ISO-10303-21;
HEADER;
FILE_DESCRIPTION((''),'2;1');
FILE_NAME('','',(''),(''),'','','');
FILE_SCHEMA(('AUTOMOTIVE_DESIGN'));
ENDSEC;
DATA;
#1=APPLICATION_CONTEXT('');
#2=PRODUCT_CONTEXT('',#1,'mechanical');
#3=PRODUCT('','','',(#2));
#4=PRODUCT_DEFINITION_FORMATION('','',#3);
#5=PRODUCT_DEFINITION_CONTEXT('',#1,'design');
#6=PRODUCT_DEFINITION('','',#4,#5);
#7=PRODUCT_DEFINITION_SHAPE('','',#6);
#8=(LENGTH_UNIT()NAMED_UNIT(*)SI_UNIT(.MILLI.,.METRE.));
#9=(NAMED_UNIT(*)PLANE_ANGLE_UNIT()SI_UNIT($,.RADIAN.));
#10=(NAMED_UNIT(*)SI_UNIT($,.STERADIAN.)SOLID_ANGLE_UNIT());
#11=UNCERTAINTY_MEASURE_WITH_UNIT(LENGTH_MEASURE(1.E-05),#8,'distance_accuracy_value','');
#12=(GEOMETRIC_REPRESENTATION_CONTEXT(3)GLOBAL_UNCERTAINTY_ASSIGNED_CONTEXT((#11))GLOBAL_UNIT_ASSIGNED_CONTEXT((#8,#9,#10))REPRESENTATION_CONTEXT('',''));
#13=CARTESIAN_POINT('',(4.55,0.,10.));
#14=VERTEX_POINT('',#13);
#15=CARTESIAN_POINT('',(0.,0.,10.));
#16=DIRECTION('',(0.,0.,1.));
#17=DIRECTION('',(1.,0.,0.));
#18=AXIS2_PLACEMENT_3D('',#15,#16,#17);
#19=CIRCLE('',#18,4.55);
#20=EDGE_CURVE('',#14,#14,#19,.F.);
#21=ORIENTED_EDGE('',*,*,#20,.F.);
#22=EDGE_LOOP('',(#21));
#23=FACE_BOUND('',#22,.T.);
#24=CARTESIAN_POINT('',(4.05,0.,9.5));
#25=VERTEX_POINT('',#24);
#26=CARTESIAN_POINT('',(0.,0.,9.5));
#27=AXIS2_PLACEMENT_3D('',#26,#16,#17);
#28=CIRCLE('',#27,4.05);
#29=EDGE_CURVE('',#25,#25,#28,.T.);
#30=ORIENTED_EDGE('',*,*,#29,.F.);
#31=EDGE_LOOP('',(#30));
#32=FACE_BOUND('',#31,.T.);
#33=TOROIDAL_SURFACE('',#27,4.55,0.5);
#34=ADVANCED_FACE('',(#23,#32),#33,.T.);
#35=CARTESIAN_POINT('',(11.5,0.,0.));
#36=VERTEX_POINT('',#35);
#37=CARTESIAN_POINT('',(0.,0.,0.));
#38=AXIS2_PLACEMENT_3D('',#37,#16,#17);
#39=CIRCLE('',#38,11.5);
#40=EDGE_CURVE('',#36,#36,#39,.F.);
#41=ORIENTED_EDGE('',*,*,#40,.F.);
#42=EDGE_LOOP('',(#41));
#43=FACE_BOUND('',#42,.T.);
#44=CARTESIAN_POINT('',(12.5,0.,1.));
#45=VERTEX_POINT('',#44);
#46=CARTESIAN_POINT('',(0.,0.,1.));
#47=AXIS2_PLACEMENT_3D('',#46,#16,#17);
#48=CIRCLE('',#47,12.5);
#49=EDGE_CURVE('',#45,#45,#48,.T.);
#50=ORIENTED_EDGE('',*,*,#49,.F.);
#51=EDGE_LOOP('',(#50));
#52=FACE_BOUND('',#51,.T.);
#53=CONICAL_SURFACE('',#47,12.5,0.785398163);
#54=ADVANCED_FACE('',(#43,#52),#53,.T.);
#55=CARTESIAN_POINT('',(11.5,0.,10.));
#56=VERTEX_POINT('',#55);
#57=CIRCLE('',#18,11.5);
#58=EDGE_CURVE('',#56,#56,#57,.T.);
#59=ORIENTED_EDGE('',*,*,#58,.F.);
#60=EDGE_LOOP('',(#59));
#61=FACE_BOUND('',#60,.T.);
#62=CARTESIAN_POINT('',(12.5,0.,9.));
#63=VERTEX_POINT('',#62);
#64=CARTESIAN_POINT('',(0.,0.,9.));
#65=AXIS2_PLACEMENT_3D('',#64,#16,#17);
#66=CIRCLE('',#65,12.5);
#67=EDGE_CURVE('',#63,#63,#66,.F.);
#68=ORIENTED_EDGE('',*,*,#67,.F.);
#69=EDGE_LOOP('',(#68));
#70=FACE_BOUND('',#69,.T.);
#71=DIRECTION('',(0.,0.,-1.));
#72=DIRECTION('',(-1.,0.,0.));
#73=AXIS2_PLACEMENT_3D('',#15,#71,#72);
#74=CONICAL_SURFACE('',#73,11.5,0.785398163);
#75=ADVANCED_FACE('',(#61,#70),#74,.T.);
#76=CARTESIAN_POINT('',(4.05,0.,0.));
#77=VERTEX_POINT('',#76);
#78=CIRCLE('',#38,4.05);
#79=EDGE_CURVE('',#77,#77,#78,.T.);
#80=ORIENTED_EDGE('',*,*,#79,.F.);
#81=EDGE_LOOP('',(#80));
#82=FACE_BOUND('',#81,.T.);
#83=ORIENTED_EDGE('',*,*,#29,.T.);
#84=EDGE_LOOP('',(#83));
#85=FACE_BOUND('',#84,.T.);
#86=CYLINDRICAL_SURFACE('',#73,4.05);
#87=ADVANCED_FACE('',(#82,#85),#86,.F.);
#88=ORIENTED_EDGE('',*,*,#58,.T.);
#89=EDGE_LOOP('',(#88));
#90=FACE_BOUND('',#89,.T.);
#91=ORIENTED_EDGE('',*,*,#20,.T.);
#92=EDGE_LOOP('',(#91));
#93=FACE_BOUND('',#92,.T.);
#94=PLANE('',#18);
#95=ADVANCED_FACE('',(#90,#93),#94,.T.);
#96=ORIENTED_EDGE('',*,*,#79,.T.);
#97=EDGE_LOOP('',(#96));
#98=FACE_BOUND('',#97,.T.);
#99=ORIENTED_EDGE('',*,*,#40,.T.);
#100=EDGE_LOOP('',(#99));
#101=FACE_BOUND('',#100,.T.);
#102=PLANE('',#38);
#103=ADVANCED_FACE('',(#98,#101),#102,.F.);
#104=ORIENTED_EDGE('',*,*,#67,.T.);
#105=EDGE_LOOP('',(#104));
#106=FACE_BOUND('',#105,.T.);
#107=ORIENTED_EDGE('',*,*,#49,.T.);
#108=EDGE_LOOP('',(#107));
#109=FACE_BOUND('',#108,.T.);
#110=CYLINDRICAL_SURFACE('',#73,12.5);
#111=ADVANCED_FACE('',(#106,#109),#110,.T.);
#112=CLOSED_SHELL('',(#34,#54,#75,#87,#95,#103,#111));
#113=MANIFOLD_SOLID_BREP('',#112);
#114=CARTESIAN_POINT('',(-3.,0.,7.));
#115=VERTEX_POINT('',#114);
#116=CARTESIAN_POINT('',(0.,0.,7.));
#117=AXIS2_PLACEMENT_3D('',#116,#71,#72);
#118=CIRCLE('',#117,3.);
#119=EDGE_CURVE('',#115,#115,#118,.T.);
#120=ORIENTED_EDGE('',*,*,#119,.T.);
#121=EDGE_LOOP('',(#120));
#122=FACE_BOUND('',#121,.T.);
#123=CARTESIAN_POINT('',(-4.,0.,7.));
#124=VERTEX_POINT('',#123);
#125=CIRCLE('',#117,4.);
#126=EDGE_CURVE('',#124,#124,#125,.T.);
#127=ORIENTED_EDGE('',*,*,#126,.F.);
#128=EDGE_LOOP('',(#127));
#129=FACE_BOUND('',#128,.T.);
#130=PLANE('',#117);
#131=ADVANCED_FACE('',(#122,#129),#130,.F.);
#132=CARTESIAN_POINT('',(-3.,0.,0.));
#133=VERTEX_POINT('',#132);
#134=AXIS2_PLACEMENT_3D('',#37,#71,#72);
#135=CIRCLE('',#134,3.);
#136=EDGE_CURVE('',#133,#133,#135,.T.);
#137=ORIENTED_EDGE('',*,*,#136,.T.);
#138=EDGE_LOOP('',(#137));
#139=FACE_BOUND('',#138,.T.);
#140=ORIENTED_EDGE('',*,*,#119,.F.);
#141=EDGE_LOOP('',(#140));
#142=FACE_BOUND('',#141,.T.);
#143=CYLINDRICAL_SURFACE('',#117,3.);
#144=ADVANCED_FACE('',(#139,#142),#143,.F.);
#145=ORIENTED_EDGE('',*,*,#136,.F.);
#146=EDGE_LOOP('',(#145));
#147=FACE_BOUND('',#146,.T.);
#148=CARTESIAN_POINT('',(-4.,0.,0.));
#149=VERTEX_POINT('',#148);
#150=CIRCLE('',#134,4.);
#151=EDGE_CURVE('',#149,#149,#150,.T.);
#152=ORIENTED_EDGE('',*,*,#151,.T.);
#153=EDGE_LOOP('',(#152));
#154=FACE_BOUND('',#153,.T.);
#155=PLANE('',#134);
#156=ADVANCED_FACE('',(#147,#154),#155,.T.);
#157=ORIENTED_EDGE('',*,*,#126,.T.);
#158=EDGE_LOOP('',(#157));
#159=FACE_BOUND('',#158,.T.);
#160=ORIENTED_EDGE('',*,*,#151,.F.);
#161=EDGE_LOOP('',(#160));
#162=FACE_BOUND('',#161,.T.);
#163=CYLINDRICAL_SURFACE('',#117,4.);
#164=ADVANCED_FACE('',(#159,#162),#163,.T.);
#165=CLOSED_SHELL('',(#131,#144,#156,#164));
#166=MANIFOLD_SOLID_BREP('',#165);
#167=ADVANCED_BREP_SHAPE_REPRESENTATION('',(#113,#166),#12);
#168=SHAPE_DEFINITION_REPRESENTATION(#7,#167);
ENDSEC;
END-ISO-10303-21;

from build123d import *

# Parameters (mm, degrees)
SKETCH_1_R      = 12.5
SKETCH_1_R_2    = 4.05
EXTRUDE_1_DEPTH = 10
SKETCH_2_R      = 4
SKETCH_2_R_2    = 3
EXTRUDE_2_DEPTH = 7
CHAMFER_1_SIZE  = 1
FILLET_1_R      = 0.5


with BuildPart() as part:
    # 草图1 → 凸台-拉伸1 (new body)
    with BuildSketch(Plane.XY):
        Circle(SKETCH_1_R)
        Circle(SKETCH_1_R_2, mode=Mode.SUBTRACT)
    extrude(amount=EXTRUDE_1_DEPTH)

    # 倒角1
    chamfer_1_edges = [part.edges().sort_by_distance(p)[0] for p in [
        (-12.5, 0, 0),
        (-12.5, 0, 10),
    ]]
    chamfer(chamfer_1_edges, length=CHAMFER_1_SIZE)

    # 圆角1
    fillet_1_edges = [part.edges().sort_by_distance(p)[0] for p in [
        (-4.05, 0, 10),
    ]]
    fillet(fillet_1_edges, radius=FILLET_1_R)


with BuildPart() as body_2:
    # 草图2 → 凸台-拉伸2 (new body)
    with BuildSketch(Plane(origin=(0, 0, 0), x_dir=(-1, 0, 0), z_dir=(0, 0, -1))):
        Circle(SKETCH_2_R)
        Circle(SKETCH_2_R_2, mode=Mode.SUBTRACT)
    extrude(amount=-EXTRUDE_2_DEPTH)


solid = Compound([part.part, body_2.part])
